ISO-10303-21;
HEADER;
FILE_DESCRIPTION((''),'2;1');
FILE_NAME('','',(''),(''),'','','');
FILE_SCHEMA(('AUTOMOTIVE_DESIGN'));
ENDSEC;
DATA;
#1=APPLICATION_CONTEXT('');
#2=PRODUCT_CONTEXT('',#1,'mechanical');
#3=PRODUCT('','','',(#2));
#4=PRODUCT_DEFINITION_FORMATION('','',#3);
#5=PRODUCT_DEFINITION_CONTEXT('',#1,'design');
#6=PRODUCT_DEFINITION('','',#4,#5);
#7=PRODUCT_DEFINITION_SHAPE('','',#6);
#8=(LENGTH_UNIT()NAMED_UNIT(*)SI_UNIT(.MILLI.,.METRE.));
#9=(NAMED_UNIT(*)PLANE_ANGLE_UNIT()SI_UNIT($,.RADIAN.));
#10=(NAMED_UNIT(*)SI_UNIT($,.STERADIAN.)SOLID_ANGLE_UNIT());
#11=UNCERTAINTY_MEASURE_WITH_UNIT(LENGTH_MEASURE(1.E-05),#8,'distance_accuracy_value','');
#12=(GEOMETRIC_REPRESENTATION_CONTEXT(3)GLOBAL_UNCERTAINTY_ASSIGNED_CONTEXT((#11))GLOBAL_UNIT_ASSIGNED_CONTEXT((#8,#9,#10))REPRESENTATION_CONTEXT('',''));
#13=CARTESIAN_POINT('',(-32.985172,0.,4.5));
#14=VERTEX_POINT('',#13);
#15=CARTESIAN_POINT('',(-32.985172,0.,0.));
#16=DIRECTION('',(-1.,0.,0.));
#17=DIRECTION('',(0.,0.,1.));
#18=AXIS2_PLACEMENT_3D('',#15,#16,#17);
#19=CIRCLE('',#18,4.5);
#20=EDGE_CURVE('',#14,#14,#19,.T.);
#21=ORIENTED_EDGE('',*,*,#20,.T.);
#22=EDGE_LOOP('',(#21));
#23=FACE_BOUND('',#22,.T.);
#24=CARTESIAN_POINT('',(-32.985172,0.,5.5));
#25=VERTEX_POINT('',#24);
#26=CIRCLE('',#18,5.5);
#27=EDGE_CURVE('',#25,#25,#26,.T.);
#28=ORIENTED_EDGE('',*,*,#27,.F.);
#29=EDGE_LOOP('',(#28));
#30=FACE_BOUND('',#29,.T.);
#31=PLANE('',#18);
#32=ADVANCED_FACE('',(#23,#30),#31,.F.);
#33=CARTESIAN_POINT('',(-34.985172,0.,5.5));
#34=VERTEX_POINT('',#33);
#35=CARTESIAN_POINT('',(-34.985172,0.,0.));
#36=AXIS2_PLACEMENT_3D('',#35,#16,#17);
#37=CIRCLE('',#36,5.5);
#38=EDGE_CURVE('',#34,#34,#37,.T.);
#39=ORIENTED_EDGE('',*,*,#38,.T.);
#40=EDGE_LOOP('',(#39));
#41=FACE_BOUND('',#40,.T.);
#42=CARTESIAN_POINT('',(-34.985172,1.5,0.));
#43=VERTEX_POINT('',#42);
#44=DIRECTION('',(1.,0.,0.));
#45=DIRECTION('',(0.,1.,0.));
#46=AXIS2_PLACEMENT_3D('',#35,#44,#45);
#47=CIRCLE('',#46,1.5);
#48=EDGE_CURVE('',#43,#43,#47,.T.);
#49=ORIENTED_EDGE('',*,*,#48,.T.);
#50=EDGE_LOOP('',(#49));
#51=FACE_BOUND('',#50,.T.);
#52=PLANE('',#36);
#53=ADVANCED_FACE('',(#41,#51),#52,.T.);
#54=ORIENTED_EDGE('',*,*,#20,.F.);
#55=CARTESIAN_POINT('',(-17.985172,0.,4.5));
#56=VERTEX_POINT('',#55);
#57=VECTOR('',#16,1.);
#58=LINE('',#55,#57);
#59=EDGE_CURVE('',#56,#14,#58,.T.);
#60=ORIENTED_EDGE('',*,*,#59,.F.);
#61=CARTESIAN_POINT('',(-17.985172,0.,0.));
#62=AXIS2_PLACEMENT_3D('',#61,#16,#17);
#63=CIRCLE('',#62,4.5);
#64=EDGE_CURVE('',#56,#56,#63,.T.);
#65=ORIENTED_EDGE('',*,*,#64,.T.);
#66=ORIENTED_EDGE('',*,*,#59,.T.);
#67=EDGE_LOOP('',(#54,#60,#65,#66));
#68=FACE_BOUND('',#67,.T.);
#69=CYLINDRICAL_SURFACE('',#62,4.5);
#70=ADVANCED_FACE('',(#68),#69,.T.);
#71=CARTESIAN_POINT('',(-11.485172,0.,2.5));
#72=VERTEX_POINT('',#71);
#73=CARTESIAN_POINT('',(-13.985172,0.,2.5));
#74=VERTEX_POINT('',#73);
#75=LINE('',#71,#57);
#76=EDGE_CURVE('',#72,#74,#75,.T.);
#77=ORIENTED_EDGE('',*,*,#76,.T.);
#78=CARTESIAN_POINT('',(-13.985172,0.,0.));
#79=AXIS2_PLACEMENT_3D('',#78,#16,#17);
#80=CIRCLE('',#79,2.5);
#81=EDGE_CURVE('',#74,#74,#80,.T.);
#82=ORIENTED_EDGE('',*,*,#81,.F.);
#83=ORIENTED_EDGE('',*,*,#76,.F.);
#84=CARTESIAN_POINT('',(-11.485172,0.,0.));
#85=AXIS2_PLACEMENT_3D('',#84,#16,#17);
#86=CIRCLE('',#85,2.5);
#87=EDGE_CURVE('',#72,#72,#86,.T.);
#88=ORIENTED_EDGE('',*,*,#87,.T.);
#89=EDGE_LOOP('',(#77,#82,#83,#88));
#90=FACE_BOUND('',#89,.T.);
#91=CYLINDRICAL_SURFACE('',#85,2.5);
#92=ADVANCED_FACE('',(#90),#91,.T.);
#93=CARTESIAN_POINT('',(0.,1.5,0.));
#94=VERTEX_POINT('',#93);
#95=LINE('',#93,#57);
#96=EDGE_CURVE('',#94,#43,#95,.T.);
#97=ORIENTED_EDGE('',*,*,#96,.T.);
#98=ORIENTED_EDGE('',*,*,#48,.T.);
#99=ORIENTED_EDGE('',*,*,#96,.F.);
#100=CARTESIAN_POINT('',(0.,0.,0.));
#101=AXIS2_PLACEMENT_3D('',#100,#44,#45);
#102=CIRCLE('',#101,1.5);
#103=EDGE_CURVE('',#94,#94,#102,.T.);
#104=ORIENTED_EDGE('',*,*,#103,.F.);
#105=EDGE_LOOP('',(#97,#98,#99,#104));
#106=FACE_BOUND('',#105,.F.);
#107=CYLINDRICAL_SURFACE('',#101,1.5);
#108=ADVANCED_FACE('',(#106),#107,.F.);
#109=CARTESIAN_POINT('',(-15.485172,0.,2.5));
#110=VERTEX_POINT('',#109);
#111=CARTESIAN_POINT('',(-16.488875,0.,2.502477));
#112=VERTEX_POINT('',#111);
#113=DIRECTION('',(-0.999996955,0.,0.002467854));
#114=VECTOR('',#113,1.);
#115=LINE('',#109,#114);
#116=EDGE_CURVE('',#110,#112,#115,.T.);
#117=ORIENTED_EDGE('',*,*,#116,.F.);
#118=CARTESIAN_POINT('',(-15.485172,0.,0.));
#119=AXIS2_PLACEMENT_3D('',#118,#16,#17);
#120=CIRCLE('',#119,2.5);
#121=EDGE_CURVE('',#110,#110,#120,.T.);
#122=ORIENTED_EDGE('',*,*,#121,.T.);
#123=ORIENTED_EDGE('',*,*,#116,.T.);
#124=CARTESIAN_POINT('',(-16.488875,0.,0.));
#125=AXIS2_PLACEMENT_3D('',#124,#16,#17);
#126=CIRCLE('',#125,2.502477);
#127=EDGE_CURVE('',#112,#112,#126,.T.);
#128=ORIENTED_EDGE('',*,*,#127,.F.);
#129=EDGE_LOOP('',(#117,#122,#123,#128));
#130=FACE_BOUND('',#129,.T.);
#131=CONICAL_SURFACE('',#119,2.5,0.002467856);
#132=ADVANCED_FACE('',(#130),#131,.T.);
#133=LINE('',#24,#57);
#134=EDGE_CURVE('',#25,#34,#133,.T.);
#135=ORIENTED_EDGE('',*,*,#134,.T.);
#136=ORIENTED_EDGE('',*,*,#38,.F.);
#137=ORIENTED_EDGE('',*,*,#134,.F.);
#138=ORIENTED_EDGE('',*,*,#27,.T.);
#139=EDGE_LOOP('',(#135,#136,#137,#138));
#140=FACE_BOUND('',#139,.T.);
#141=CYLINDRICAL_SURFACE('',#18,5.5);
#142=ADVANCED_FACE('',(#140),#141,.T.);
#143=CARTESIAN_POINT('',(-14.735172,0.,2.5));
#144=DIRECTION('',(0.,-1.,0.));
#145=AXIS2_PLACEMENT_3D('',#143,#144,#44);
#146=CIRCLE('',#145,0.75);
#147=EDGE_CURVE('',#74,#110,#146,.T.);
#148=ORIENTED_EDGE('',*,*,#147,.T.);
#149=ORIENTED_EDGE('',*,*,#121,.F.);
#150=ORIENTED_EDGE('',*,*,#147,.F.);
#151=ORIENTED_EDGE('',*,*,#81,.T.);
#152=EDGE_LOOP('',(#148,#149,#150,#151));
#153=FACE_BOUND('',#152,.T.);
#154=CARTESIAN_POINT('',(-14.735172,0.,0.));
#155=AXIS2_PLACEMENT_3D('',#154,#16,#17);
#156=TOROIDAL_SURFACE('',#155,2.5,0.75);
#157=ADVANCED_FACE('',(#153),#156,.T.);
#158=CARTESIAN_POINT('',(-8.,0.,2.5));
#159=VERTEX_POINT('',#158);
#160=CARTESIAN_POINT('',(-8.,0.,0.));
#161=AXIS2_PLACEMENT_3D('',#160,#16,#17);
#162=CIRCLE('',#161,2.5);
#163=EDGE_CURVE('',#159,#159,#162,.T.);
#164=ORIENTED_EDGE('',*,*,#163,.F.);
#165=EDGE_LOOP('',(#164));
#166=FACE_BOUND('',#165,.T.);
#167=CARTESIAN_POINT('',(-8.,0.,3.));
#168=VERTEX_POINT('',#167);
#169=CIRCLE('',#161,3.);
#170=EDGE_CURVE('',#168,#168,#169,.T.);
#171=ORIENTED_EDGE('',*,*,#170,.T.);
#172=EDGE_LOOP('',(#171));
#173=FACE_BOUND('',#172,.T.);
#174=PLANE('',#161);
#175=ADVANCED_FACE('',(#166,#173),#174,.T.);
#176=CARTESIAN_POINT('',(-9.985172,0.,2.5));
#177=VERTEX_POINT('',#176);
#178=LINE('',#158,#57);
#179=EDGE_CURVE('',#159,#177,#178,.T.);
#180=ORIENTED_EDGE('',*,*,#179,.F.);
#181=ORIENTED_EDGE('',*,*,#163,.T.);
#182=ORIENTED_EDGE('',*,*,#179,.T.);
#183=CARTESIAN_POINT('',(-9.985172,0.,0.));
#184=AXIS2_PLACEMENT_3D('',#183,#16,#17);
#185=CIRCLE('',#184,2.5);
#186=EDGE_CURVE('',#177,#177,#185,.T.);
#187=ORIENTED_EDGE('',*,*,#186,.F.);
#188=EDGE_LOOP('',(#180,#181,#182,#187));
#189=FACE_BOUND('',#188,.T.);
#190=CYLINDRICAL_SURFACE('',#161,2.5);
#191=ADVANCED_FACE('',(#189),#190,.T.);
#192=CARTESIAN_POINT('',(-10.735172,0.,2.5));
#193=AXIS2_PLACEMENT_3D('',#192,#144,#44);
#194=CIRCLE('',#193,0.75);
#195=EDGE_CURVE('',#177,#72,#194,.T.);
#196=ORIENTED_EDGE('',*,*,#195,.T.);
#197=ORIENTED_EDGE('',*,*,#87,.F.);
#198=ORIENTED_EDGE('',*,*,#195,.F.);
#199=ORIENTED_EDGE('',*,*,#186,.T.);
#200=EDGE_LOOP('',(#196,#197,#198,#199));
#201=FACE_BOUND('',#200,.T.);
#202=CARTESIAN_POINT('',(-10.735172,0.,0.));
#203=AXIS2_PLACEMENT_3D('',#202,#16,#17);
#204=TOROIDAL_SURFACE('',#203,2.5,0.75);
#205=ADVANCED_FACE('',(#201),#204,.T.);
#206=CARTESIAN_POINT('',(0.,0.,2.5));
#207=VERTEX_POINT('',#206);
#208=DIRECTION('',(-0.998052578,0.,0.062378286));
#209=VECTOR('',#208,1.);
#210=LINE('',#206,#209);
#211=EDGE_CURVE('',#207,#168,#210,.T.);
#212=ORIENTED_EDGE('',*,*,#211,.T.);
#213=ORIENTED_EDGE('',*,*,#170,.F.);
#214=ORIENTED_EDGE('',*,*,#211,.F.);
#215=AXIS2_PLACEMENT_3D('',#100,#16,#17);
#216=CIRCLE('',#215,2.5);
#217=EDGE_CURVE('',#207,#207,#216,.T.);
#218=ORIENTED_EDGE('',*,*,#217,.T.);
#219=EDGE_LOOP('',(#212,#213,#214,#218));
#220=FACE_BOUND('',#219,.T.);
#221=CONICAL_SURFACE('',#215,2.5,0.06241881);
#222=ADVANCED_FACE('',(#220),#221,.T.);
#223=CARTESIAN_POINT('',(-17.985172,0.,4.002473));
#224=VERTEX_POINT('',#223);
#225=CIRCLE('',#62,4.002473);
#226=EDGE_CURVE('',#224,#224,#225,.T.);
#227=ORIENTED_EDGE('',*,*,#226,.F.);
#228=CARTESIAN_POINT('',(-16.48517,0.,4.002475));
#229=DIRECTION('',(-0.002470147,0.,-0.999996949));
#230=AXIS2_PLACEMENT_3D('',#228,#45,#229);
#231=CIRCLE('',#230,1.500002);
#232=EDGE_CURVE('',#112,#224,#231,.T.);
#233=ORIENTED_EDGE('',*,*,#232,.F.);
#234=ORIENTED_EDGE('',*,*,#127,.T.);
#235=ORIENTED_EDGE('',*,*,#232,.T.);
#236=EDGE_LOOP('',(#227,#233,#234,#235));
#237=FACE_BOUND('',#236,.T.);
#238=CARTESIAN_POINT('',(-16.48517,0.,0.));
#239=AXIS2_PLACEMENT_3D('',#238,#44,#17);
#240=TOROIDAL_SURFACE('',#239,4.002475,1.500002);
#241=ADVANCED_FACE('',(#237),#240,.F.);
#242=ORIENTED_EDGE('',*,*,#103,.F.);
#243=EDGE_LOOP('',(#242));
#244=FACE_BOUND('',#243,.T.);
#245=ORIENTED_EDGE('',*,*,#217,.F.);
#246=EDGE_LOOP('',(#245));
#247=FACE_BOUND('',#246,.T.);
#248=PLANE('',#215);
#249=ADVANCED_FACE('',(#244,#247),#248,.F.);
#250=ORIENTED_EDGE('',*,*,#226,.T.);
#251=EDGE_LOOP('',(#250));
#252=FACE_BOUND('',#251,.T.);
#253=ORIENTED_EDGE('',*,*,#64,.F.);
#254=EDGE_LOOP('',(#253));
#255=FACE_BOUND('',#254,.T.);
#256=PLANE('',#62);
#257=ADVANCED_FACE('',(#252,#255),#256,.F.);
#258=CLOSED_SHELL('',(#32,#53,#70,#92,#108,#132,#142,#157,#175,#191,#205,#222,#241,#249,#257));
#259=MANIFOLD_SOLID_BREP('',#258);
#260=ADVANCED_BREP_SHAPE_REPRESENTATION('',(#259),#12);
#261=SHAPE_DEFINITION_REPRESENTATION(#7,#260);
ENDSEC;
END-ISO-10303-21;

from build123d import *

# Parameters (mm, degrees)
F2_R     = 1.5
F3_DEPTH = 37


with BuildPart() as f1:
    # F0 (on Front) → F1 (revolve)
    with BuildSketch(Plane.XZ):
        with BuildLine():
            Line((-34.985172, 0), (0, 0))
            Line((0, 0), (0, 2.5))
            Line((0, 2.5), (-8, 3))
            Line((-8, 3), (-8, 2.5))
            Line((-8, 2.5), (-9.985172, 2.5))
            ThreePointArc((-9.985172, 2.5), (-10.735172, 3.25), (-11.485172, 2.5))
            Line((-11.485172, 2.5), (-13.985172, 2.5))
            ThreePointArc((-13.985172, 2.5), (-14.735172, 3.25), (-15.485172, 2.5))
            Line((-15.485172, 2.5), (-16.488875, 2.502477))
            ThreePointArc((-16.488875, 2.502477), (-17.54714, 2.943123), (-17.985172, 4.002473))
            Line((-17.985172, 4.002473), (-17.985172, 4.5))
            Line((-17.985172, 4.5), (-32.985172, 4.5))
            Line((-32.985172, 4.5), (-32.985172, 5.5))
            Line((-32.985172, 5.5), (-34.985172, 5.5))
            Line((-34.985172, 5.5), (-34.985172, 0))
        make_face()
    revolve(axis=Axis((-17.492586, 0, 0), (-1, 0, 0)))

    # F2 (on face) → F3 (cut)
    with BuildSketch(Plane.YZ):
        Circle(F2_R)
    extrude(amount=-F3_DEPTH, mode=Mode.SUBTRACT)


solid = f1.part
